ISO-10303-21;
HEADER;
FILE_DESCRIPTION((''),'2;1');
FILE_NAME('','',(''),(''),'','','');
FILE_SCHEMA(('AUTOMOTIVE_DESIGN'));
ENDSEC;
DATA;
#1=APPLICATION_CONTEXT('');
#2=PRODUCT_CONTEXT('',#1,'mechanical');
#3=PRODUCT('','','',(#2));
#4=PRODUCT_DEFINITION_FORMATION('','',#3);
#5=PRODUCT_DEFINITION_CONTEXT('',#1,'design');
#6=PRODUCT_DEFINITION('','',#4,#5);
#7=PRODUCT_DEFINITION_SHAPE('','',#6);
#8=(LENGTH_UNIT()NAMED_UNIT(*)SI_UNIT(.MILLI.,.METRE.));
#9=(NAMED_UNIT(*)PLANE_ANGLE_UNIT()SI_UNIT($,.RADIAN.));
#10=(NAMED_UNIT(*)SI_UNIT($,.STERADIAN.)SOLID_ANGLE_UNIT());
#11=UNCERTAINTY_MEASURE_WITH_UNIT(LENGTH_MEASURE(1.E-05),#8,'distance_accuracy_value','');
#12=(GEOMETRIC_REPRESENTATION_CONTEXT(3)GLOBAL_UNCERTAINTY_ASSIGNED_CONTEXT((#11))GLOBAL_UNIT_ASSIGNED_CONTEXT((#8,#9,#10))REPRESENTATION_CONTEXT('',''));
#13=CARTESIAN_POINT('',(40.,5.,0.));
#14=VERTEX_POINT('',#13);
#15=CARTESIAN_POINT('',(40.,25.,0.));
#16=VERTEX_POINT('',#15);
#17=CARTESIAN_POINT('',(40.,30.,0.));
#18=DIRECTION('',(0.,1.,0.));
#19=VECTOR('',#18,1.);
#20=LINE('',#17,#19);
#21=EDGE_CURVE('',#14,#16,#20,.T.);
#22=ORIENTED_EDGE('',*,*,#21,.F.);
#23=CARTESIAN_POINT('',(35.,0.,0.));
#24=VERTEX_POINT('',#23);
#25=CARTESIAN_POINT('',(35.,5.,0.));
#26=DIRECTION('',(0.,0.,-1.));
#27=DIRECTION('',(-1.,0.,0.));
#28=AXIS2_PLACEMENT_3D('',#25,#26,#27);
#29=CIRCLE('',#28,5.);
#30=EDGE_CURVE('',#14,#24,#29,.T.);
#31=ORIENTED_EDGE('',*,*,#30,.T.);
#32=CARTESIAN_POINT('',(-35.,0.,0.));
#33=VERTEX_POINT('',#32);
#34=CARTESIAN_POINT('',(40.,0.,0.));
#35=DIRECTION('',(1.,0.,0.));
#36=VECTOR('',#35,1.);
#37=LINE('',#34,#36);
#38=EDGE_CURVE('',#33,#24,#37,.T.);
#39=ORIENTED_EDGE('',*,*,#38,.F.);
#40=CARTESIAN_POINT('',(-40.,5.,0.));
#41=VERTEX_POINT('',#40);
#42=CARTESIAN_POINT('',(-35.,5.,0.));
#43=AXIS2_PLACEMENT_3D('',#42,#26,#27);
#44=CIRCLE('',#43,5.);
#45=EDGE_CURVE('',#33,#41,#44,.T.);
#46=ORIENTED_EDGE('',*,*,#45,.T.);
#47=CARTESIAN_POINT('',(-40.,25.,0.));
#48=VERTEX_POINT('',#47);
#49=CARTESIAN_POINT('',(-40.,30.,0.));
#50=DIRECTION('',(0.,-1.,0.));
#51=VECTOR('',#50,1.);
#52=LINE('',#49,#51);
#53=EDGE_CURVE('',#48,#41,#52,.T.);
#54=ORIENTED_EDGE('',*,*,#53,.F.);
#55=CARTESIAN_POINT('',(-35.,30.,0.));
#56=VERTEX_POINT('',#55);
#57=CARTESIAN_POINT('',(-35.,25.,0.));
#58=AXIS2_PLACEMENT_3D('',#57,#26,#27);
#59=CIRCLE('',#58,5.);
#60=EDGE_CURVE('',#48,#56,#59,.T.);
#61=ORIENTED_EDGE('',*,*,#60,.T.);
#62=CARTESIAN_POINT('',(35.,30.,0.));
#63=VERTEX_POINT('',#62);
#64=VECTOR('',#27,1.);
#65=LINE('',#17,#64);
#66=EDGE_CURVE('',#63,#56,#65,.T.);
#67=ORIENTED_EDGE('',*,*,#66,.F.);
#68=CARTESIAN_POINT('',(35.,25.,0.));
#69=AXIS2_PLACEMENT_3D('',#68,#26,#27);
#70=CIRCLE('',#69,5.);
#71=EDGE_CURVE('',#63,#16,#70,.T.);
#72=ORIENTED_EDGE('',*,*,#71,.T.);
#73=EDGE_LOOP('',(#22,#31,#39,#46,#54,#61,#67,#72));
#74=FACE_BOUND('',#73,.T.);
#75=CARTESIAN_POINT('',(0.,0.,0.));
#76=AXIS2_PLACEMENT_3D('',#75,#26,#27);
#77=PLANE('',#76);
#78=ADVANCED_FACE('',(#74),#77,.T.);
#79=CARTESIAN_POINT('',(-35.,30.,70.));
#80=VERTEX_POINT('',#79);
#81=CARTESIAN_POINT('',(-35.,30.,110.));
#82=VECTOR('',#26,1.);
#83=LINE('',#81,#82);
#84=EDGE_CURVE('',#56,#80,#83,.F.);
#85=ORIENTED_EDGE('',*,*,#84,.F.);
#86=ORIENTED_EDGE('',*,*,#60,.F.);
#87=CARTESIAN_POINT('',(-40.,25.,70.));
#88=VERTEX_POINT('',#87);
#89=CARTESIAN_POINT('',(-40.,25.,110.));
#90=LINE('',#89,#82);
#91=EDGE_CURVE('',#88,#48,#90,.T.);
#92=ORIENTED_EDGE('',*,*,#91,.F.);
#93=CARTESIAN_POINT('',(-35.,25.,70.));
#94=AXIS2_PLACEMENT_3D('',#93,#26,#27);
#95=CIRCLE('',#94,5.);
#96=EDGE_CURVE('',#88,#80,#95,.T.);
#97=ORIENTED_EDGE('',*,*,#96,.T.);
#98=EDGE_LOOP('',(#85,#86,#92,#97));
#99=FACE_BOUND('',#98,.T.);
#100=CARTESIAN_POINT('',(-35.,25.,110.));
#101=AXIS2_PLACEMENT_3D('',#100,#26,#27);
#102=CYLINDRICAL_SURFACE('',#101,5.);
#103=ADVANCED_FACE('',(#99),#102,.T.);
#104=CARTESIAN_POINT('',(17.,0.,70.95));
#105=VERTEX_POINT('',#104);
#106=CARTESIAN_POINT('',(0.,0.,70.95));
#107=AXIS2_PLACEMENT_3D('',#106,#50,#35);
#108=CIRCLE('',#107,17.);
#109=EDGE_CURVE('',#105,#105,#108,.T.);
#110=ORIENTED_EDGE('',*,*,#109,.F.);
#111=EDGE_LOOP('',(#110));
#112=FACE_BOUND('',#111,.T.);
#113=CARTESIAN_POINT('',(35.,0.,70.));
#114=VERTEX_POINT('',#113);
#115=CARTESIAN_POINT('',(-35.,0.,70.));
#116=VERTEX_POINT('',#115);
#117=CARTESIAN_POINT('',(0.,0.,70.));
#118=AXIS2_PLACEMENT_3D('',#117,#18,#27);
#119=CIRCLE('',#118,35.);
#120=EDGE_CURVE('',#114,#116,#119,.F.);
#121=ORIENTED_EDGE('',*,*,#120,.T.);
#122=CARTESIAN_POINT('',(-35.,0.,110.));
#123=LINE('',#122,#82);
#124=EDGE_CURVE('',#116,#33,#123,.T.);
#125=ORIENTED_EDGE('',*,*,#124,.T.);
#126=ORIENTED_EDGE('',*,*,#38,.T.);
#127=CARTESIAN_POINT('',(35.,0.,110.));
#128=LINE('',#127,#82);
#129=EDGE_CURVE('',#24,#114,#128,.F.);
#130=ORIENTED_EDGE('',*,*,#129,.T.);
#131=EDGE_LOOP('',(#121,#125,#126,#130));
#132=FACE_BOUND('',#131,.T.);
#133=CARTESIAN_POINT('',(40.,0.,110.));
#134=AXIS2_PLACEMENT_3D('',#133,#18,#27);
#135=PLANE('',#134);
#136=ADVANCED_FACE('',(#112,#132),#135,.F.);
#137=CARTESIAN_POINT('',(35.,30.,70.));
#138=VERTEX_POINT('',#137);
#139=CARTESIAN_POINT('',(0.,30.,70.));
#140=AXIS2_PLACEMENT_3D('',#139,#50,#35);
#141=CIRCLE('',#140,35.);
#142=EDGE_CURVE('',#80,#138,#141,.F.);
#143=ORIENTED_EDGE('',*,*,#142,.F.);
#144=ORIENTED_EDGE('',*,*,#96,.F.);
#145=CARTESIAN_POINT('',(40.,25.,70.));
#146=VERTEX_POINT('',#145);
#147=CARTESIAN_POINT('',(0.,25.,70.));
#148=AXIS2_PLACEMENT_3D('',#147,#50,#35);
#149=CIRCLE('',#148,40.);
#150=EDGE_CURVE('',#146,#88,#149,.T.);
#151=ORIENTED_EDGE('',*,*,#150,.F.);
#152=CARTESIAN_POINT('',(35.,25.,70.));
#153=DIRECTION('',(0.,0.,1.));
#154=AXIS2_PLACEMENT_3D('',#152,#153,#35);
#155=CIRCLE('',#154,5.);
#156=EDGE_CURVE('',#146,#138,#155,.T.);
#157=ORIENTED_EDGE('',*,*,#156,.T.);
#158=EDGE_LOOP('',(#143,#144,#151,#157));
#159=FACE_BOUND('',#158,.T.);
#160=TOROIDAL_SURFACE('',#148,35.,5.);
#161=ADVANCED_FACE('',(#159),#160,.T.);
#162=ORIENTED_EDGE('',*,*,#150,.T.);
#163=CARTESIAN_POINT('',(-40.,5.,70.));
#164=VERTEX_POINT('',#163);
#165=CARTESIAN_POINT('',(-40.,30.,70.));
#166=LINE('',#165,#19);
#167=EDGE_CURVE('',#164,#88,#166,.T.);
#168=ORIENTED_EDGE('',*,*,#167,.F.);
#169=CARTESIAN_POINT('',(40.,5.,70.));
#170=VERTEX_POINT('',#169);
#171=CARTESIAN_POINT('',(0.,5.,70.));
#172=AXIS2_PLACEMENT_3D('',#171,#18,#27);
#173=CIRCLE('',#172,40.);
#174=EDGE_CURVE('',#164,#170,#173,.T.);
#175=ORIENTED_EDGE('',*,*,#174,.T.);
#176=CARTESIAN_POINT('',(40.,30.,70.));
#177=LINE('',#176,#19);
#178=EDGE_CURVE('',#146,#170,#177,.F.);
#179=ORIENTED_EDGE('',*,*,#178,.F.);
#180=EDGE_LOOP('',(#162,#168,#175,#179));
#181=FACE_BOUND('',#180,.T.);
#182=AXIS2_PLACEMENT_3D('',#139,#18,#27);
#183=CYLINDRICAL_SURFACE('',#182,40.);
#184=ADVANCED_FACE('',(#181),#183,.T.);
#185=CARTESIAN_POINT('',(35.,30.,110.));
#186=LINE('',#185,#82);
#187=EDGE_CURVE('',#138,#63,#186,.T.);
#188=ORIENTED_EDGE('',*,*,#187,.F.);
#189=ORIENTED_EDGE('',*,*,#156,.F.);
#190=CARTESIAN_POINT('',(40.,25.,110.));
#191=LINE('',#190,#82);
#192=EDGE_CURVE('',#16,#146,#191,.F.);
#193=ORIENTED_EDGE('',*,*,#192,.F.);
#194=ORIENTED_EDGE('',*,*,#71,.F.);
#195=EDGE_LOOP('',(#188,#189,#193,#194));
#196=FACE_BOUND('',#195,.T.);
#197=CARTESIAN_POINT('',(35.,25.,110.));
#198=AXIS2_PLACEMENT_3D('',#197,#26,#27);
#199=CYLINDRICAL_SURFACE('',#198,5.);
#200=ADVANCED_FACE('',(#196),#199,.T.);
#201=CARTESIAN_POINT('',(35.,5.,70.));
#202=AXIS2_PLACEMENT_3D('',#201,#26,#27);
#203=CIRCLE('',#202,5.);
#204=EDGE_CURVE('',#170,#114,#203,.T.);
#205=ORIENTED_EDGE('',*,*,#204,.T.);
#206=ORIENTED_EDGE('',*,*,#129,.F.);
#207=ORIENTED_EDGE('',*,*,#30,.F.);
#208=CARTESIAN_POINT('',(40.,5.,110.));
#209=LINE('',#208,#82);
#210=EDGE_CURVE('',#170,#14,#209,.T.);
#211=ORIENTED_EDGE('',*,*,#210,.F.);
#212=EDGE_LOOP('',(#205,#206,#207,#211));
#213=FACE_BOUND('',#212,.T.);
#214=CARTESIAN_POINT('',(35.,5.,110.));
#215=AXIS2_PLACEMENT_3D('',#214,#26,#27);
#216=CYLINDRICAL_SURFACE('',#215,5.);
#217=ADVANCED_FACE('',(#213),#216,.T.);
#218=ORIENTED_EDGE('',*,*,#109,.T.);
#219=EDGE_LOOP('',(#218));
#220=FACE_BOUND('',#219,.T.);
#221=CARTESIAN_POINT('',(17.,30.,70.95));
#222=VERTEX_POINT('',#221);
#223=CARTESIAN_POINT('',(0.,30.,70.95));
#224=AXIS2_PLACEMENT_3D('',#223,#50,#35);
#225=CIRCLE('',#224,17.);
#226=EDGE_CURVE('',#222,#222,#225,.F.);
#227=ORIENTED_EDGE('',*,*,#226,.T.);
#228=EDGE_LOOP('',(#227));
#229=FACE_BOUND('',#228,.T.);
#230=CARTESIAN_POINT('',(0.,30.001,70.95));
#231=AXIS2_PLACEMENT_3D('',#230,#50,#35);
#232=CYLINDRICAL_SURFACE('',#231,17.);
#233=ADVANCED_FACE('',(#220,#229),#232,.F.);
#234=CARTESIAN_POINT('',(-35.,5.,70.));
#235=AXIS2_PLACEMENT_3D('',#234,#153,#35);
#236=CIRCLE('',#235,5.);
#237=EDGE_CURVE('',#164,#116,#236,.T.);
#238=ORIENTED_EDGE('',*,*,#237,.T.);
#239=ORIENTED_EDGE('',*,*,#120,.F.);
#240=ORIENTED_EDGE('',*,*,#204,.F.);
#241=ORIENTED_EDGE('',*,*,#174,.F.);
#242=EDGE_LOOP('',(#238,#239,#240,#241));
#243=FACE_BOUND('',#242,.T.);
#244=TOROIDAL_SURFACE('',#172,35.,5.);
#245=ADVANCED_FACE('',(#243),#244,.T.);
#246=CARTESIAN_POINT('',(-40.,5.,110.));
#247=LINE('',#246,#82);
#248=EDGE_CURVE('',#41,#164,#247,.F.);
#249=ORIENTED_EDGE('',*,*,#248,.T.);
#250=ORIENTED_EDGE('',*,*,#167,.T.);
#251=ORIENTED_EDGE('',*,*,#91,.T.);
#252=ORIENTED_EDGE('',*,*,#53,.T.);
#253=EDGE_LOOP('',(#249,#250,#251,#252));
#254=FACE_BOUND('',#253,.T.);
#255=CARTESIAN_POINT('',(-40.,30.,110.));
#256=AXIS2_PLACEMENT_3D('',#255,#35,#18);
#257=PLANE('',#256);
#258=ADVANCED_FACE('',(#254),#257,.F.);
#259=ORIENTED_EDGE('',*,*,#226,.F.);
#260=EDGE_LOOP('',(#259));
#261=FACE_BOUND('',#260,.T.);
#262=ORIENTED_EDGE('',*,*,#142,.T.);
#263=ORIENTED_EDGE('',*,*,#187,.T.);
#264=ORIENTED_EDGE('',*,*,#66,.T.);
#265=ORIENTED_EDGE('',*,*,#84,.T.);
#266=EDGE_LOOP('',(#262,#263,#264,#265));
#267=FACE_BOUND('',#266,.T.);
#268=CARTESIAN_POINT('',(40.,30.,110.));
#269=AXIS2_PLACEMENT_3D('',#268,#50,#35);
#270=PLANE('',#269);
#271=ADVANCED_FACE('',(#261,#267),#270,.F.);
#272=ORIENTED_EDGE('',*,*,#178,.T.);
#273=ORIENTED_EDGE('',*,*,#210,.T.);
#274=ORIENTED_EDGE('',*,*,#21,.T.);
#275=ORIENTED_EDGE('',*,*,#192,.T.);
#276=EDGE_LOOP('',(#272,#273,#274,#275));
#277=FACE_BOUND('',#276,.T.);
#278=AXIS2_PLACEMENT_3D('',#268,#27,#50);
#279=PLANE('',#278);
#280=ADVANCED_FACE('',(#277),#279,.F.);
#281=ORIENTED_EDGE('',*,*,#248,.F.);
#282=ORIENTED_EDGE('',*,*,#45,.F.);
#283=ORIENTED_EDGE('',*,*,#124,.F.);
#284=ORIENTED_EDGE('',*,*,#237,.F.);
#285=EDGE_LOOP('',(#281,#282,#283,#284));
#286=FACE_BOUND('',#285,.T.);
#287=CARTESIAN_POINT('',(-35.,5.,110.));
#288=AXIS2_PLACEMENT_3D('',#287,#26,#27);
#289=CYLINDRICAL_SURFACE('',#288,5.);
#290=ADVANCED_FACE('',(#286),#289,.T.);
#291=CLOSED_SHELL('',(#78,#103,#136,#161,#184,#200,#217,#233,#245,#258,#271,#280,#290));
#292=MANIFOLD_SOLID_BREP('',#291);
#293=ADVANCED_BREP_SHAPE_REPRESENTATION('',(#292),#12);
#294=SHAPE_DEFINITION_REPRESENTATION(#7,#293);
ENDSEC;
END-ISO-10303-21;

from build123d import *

# Parameters (mm, degrees)
SKETCH1_W           = 80
SKETCH1_H           = 30
BOSS_EXTRUDE1_DEPTH = 110
FILLET1_RADIUS      = 40
FILLET1_LENGTH      = 30
FILLET2_R           = 5
CUT_EXTRUDE1_REACH  = 122.83
SKETCH2_R           = 17


with BuildPart() as part:
    # Sketch1 → Boss-Extrude1 (new body)
    with BuildSketch(Plane.XY):
        with Locations((0, 15)):
            Rectangle(SKETCH1_W, SKETCH1_H)
    extrude(amount=BOSS_EXTRUDE1_DEPTH)

    # Fillet1: full round fillet: the end face becomes a half cylinder, R = half its width
    fillet1_face = Plane((0, 15, 110), x_dir=(0, -1, 0), z_dir=(0, 0, 1))  # on the end face: x along it, z out of the body
    fillet1_slab = fillet1_face.offset(-FILLET1_RADIUS / 2) * Box(FILLET1_LENGTH, 2 * FILLET1_RADIUS, FILLET1_RADIUS, mode=Mode.PRIVATE)  # the body's end, R deep
    fillet1_round = Plane((0, 15, 70), x_dir=(0, 0, 1), z_dir=(0, -1, 0)) * Cylinder(FILLET1_RADIUS, FILLET1_LENGTH, mode=Mode.PRIVATE)  # its axis R under the face
    add(fillet1_slab - fillet1_round, mode=Mode.SUBTRACT)

    # Fillet2
    fillet2_edges = [part.edges().sort_by_distance(p)[0] for p in [
        (40, 30, 35),
        (40, 0, 35),
        (-40, 0, 35),
        (-40, 30, 35),
        (0, 30, 110),
        (0, 0, 110),
    ]]
    fillet(fillet2_edges, radius=FILLET2_R)

    # Sketch2 → Cut-Extrude1 (cut, up to next)
    with BuildSketch(Plane.XZ, mode=Mode.PRIVATE) as cut_extrude1_sk1:
        with Locations((0, 70.95)):
            Circle(SKETCH2_R)
    cut_extrude1_tool1 = extrude(cut_extrude1_sk1.sketch, amount=-CUT_EXTRUDE1_REACH, mode=Mode.PRIVATE) & part.part
    add(cut_extrude1_tool1.solids().sort_by_distance((0, 0, 70.95))[0], mode=Mode.SUBTRACT)


solid = part.part
